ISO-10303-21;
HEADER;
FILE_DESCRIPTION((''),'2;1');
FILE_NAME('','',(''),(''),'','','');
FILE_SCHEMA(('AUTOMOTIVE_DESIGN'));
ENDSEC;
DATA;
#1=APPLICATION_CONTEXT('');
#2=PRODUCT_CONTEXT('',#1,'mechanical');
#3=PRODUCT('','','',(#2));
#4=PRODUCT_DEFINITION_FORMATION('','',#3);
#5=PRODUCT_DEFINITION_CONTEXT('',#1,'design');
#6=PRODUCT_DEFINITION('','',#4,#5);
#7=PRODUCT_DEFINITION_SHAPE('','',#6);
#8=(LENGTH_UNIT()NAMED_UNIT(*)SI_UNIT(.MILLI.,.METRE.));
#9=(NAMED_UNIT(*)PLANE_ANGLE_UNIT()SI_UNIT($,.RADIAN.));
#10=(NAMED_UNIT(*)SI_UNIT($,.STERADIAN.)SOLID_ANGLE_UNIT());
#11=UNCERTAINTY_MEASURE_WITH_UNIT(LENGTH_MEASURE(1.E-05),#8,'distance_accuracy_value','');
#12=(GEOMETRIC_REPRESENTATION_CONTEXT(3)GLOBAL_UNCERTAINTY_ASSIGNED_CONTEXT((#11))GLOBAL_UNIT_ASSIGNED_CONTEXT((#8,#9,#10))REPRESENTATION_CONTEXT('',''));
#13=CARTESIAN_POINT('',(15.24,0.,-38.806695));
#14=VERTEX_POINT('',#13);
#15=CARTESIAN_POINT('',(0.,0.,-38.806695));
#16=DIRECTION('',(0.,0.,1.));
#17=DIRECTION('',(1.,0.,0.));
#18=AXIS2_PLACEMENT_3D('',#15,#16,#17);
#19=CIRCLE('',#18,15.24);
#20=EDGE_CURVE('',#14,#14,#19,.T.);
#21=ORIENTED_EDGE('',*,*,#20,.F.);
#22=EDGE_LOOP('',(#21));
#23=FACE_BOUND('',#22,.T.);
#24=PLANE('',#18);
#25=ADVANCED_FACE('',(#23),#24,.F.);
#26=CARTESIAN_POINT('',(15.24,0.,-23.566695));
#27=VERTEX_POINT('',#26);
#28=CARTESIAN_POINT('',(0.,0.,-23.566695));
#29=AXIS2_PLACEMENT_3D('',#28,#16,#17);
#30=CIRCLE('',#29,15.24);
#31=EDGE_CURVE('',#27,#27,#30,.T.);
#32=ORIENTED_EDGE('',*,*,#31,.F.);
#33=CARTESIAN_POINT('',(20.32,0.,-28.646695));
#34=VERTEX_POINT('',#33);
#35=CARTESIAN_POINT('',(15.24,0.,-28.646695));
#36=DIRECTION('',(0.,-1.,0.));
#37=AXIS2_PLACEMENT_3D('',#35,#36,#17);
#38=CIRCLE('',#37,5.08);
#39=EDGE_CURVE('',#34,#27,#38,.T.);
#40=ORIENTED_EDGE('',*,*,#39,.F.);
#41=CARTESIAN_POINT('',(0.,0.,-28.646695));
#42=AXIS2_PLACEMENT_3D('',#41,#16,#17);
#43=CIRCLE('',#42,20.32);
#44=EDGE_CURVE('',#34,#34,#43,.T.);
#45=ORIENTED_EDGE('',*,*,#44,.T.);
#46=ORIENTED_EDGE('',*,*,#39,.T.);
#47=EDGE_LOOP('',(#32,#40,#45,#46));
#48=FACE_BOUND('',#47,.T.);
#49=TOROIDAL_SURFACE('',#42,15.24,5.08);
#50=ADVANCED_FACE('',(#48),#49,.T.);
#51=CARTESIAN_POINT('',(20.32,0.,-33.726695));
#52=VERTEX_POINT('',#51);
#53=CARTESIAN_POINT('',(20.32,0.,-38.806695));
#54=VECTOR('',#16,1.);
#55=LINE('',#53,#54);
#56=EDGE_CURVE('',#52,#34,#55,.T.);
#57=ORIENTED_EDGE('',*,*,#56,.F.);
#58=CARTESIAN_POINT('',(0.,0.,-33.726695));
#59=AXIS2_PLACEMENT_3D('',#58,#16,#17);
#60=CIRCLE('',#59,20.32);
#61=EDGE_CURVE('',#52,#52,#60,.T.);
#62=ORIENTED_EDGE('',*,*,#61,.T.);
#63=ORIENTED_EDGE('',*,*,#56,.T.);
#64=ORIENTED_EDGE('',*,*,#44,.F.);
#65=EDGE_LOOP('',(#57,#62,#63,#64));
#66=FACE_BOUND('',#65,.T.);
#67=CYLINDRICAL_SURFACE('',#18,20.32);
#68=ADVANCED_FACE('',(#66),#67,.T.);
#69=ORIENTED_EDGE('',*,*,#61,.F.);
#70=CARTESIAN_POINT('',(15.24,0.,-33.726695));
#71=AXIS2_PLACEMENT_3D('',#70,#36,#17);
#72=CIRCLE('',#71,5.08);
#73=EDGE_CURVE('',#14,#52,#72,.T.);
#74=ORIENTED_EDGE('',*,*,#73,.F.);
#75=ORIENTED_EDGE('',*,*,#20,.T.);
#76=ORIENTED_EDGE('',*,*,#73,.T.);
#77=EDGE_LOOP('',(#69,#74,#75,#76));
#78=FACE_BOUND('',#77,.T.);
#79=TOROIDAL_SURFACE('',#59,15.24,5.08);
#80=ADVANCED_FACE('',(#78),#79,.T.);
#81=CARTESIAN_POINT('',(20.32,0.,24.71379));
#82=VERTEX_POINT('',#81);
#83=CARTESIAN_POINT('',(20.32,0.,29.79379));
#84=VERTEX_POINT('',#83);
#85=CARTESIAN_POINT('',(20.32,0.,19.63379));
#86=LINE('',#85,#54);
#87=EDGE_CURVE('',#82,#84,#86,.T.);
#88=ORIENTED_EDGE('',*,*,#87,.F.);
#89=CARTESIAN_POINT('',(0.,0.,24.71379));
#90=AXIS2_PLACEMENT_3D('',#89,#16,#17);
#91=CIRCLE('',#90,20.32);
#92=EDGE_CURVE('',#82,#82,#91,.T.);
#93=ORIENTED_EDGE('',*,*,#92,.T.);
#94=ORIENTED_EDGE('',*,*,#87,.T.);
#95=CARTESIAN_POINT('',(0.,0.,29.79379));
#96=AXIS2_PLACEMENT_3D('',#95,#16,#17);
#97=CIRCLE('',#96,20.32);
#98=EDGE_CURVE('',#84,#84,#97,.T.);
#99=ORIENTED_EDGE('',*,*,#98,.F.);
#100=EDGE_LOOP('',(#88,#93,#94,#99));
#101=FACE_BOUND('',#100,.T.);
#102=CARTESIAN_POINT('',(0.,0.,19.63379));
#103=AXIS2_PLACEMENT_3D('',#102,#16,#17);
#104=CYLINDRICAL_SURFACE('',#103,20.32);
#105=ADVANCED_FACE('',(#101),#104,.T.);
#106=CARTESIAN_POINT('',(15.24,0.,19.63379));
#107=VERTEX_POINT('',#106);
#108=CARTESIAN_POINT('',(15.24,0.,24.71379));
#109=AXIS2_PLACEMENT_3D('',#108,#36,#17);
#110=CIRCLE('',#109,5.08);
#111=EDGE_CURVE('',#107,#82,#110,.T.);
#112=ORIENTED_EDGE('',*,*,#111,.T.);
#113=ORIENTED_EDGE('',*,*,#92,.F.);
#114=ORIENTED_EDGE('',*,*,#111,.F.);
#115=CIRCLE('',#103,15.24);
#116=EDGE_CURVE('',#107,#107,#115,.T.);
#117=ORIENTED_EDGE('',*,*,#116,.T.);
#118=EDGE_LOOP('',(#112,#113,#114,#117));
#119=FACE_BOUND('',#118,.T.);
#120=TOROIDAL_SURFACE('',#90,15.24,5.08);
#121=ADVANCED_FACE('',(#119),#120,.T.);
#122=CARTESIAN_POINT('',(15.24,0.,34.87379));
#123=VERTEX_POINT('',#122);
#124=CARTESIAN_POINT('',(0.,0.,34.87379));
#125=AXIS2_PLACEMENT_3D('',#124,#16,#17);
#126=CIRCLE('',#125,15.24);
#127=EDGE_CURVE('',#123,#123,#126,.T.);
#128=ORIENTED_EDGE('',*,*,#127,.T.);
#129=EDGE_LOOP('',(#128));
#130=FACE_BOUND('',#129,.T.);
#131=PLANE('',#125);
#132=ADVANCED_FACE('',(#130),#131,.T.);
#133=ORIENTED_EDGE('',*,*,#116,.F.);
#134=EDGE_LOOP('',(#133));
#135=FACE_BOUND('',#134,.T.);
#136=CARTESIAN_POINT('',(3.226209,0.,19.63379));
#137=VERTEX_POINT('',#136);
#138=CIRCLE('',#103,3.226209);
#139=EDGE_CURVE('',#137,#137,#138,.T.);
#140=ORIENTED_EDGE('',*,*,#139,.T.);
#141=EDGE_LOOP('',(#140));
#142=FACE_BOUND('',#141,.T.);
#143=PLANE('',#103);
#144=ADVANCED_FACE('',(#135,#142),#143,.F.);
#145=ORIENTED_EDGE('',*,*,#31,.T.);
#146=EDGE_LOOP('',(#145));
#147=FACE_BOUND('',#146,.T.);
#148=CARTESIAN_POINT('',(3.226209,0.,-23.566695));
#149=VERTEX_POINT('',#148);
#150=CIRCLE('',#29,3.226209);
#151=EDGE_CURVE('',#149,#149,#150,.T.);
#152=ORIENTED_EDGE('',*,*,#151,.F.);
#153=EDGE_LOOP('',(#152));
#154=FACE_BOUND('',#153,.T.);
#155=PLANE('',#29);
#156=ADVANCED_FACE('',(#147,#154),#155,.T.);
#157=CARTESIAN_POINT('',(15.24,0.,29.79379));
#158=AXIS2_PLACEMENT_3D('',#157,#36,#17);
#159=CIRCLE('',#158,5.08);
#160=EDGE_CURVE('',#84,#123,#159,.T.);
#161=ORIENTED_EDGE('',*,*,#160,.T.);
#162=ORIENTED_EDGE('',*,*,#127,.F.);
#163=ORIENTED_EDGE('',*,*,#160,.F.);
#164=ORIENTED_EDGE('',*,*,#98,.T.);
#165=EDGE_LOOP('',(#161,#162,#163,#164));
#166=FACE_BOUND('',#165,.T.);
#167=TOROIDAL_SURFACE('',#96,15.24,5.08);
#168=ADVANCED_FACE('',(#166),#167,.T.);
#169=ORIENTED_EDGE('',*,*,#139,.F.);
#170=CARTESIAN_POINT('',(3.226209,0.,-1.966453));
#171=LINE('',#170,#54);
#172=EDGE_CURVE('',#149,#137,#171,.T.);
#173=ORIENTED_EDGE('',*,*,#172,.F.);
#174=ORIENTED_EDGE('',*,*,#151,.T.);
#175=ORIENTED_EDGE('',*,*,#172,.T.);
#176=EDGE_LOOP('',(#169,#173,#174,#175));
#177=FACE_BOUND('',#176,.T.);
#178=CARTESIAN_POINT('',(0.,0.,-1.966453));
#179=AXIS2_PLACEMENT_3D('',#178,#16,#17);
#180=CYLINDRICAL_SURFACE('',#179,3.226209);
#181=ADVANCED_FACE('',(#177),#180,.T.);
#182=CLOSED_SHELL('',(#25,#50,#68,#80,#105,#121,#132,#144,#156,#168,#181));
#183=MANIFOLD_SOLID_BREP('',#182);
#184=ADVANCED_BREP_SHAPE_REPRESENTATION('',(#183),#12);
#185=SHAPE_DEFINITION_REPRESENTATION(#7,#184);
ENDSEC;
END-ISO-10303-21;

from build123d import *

# Parameters (mm, degrees)
F0_W = 3.2262087334
F0_H = 43.2004859692
F2_R = 5.08


with BuildPart() as f1:
    # F0 (on Front) → F1 (revolve)
    with BuildSketch(Plane.XZ):
        Polygon((0, -23.5666954911), (0, -38.8066954911), (20.32, -38.8066954911), (20.32, -23.5666954911), (3.2262087334, -23.5666954911), align=None)
        with Locations((1.6131043667, -1.9664525065)):
            Rectangle(F0_W, F0_H)
        Polygon((0, 34.8737904781), (0, 19.6337904781), (3.2262087334, 19.6337904781), (20.32, 19.6337904781), (20.32, 34.8737904781), align=None)
    revolve(axis=Axis((0, 0, -1.9664525065), (0, 0, 1)))

    # F2
    f2_edges = [f1.edges().sort_by_distance(p)[0] for p in [
        (-20.32, 0, 34.87379),
        (-20.32, 0, 19.63379),
        (-20.32, 0, -23.566695),
        (-20.32, 0, -38.806695),
    ]]
    fillet(f2_edges, radius=F2_R)


solid = f1.part
